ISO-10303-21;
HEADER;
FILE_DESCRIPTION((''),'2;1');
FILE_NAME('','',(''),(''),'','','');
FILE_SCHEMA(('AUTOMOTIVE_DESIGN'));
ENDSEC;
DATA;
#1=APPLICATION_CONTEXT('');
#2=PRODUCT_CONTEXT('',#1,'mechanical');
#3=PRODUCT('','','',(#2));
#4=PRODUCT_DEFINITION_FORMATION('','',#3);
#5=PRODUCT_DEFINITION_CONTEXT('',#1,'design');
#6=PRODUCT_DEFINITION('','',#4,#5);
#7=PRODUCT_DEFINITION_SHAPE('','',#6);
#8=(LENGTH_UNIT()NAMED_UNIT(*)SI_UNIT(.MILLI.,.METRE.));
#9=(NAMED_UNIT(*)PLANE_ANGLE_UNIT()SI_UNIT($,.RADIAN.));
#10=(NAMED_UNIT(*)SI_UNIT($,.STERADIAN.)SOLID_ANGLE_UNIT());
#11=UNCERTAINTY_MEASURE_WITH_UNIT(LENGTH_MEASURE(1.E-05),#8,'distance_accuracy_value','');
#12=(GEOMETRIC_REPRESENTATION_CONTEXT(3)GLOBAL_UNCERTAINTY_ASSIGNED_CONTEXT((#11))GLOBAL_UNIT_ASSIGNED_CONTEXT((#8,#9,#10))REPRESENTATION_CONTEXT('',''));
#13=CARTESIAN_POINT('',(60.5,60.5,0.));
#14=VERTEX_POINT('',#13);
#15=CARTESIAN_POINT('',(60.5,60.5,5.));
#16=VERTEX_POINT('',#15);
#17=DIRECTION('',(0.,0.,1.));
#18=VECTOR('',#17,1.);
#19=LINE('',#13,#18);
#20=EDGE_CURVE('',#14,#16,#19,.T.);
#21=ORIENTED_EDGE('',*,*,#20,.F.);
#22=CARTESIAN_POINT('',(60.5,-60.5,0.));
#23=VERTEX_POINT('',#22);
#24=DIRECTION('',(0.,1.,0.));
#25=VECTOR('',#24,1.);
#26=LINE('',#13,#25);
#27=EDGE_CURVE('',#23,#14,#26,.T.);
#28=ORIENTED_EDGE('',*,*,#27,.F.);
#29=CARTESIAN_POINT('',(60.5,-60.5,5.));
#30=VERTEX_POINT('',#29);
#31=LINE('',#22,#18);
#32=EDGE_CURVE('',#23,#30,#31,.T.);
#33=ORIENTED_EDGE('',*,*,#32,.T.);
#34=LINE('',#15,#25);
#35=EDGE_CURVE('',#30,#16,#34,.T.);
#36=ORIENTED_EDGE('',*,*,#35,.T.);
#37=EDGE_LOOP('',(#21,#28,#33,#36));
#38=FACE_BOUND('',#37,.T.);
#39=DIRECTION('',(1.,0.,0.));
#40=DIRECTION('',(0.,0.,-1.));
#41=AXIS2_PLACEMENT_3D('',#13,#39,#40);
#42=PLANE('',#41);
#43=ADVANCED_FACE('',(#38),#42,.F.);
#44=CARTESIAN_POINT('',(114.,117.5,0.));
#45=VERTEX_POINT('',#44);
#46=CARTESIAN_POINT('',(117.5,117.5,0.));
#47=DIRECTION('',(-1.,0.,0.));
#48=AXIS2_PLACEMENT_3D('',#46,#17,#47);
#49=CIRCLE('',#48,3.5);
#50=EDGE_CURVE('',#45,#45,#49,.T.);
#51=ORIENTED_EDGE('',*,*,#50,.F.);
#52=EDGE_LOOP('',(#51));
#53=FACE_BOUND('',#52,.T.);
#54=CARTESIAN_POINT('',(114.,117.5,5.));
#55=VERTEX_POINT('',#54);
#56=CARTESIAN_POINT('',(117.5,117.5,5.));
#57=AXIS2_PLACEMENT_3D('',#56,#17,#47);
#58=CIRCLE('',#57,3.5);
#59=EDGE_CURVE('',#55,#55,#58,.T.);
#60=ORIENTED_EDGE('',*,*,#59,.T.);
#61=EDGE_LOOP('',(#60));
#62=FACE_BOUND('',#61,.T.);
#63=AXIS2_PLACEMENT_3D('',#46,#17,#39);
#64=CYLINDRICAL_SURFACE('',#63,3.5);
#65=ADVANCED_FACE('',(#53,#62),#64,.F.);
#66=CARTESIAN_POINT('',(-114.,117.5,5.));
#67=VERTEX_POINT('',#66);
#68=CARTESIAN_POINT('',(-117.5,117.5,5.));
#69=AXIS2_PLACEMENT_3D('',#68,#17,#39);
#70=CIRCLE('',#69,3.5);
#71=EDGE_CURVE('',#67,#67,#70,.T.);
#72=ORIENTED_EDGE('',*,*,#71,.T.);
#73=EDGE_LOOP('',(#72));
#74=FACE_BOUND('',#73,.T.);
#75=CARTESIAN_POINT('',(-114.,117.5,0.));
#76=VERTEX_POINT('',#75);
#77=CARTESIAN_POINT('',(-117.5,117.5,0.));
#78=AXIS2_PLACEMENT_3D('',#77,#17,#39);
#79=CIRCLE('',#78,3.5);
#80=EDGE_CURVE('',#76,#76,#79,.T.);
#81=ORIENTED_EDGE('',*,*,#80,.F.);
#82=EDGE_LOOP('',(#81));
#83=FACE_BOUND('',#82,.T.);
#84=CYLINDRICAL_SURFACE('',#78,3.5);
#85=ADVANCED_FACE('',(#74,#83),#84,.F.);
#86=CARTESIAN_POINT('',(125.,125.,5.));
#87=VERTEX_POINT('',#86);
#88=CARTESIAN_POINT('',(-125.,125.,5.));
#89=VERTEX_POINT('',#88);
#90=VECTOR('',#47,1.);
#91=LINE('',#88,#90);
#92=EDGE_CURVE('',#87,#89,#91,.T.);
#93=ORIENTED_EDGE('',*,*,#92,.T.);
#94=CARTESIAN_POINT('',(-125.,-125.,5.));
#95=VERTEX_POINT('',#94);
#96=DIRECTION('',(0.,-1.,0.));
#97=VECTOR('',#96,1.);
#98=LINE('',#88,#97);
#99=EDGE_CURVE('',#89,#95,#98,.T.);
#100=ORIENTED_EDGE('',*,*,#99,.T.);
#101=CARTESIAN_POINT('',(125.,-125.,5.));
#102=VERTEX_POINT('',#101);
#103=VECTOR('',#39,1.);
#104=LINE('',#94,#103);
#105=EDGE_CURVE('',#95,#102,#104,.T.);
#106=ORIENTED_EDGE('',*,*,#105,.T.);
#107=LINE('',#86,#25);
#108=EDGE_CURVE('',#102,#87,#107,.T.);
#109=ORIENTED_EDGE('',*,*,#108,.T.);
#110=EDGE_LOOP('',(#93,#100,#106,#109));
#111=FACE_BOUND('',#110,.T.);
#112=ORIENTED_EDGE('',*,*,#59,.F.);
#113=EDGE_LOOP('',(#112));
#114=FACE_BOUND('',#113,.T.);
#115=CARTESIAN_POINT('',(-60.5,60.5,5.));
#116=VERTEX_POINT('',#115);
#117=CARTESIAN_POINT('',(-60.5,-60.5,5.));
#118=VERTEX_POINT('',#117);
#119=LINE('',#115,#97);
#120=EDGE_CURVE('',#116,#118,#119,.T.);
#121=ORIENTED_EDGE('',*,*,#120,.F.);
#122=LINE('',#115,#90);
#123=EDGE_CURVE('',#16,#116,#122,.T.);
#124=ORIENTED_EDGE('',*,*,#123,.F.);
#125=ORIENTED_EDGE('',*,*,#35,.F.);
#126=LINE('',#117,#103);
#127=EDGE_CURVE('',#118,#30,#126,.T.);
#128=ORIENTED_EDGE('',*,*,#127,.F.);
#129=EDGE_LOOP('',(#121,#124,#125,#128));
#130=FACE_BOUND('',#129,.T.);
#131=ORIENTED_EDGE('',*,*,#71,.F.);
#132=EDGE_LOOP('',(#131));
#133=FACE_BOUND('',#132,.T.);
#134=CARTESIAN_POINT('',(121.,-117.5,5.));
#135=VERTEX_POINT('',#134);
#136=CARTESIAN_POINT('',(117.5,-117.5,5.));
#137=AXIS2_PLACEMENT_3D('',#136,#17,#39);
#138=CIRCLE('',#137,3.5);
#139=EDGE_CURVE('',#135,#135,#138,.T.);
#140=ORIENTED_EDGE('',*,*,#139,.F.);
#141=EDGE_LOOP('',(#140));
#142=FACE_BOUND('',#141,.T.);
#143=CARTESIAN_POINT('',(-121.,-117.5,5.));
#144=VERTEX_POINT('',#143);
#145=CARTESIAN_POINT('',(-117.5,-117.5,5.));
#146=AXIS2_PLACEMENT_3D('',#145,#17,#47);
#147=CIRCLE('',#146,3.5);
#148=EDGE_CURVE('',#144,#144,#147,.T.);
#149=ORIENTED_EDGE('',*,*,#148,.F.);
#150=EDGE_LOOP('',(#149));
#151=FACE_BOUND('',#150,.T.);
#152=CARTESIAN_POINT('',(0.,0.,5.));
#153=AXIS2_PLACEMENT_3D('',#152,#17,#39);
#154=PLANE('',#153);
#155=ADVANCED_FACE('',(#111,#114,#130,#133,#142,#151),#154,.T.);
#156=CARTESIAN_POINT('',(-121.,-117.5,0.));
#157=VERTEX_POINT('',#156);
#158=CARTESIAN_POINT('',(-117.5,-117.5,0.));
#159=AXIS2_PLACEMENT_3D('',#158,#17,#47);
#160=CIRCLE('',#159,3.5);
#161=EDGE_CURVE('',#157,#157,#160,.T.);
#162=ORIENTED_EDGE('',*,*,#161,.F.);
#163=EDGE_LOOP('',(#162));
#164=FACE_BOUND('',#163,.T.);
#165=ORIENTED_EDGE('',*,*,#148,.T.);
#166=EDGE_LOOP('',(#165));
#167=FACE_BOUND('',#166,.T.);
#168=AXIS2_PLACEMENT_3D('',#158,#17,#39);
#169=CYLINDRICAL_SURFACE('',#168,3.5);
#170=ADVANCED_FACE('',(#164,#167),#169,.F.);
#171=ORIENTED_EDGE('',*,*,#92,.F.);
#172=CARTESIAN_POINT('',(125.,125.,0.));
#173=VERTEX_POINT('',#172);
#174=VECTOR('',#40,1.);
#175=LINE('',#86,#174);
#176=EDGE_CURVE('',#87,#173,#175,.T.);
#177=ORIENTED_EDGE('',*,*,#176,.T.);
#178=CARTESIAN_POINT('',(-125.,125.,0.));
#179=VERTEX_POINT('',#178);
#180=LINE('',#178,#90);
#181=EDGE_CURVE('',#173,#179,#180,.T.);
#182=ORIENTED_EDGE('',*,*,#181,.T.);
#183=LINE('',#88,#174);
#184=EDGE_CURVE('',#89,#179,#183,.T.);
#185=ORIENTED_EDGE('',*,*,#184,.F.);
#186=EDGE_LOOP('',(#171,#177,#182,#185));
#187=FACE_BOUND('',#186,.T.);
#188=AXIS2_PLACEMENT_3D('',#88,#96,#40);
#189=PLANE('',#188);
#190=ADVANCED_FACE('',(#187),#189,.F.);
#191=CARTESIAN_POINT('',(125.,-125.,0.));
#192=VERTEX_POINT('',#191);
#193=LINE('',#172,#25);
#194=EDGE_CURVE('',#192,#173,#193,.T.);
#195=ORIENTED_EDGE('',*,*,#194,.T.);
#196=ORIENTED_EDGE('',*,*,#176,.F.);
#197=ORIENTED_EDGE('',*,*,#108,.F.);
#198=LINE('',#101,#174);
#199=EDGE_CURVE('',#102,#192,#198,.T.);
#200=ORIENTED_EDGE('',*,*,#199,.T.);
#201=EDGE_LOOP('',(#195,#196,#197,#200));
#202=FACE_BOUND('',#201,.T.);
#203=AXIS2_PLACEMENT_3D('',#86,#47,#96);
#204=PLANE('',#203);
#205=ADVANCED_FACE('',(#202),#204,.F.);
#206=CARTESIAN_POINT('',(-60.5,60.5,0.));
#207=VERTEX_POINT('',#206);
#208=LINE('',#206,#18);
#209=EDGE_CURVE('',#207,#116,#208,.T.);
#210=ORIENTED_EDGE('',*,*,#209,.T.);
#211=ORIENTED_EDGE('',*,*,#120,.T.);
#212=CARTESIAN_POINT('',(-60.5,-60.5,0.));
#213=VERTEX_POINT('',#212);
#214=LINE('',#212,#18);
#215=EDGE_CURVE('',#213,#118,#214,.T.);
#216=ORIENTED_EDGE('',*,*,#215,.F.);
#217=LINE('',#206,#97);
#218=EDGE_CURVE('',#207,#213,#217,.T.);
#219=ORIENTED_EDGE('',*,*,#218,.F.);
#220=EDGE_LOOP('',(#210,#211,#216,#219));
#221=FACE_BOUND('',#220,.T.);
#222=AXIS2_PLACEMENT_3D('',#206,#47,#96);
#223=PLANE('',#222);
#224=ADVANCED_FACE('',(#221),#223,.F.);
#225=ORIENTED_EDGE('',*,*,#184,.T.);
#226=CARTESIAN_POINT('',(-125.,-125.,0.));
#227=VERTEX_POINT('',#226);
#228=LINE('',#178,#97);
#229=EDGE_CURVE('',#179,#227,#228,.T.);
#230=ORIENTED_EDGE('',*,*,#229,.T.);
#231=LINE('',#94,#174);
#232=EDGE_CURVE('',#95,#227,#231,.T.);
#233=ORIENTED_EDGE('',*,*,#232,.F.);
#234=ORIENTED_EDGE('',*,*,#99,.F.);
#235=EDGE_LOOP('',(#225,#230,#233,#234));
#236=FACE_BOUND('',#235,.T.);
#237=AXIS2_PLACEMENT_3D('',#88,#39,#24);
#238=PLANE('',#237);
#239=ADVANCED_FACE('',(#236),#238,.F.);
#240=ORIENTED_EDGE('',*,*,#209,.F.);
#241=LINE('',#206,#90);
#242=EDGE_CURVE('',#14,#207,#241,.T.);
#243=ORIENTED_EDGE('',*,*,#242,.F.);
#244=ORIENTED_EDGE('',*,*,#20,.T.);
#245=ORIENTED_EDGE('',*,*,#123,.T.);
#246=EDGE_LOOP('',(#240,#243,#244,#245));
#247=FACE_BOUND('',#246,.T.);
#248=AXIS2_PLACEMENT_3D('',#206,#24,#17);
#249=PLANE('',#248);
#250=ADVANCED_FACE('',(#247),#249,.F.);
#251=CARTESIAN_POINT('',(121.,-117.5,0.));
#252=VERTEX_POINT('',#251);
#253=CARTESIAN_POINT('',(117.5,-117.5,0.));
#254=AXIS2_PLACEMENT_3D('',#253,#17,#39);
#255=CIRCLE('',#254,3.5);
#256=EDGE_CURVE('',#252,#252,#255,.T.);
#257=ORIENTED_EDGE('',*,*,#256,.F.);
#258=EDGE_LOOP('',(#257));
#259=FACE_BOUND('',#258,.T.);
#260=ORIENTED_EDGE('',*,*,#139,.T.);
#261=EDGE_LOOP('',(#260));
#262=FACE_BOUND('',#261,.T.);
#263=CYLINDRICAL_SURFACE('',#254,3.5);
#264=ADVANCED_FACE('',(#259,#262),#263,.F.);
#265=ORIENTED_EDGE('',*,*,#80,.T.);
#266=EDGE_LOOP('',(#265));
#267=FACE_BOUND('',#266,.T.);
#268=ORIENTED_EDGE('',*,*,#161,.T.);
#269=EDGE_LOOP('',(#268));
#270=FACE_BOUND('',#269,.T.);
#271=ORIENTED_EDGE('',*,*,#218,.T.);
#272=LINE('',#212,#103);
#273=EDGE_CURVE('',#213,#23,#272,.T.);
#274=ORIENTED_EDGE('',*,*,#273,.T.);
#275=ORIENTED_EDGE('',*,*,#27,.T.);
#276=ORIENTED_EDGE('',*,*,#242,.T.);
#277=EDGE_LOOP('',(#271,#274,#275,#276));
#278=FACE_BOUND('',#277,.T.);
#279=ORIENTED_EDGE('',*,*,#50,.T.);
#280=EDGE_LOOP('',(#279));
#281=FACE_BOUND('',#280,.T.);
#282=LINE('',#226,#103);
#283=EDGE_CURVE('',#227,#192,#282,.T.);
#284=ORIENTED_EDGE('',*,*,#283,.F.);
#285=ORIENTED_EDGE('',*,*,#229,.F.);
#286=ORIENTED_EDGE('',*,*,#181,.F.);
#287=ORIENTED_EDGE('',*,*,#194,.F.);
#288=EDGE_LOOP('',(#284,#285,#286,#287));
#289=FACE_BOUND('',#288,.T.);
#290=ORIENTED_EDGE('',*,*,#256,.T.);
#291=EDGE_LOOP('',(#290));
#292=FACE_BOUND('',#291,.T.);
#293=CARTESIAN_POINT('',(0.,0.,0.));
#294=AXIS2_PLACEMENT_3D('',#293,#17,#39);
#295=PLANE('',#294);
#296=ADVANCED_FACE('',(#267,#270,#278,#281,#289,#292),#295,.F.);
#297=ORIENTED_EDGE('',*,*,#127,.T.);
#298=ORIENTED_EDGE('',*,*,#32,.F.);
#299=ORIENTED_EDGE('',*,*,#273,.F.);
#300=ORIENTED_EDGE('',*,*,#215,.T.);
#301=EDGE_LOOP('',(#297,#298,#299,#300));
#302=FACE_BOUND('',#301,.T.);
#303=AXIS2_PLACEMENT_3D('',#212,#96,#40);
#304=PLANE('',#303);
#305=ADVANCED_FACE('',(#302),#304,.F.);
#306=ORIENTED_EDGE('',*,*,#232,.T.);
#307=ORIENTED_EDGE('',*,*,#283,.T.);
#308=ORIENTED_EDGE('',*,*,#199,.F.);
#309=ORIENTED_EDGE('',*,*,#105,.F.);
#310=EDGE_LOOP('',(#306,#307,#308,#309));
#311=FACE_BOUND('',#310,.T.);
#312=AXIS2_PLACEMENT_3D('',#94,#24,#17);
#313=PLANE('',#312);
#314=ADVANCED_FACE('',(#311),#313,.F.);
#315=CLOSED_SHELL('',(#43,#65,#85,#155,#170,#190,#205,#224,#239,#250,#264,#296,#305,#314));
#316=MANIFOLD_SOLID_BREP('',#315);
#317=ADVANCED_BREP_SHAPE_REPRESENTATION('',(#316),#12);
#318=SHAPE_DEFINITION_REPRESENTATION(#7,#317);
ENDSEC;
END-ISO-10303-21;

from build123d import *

# Parameters (mm, degrees)
ESBO_O1_W                = 250
ESBO_O1_H                = 250
RESSALTO_EXTRUS_O1_DEPTH = 5
ESBO_O2_R                = 3.5
CORTE_EXTRUS_O1_DEPTH    = 177.847391838
ESBO_O3_W                = 121
ESBO_O3_H                = 121
CORTE_EXTRUS_O2_DEPTH    = 177.847391838


with BuildPart() as part:
    # Esboço1 → Ressalto-extrusão1 (new body)
    with BuildSketch(Plane.XY):
        Rectangle(ESBO_O1_W, ESBO_O1_H)
    extrude(amount=RESSALTO_EXTRUS_O1_DEPTH)

    # Esboço2 → Corte-extrusão1 (cut, through all)
    with BuildSketch(Plane.XY.offset(5)):
        with Locations((-117.5, 117.5)):
            Circle(ESBO_O2_R)
        with Locations(Location((117.5, 117.5, 0), (0, 0, 180))):
            Circle(ESBO_O2_R)
        with Locations(Location((-117.5, -117.5, 0), (0, 0, 180))):
            Circle(ESBO_O2_R)
        with Locations((117.5, -117.5)):
            Circle(ESBO_O2_R)
    extrude(amount=-CORTE_EXTRUS_O1_DEPTH, mode=Mode.SUBTRACT)

    # Esboço3 → Corte-extrusão2 (cut, through all)
    with BuildSketch(Plane.XY.offset(5)):
        Rectangle(ESBO_O3_W, ESBO_O3_H)
    extrude(amount=-CORTE_EXTRUS_O2_DEPTH, mode=Mode.SUBTRACT)


solid = part.part
